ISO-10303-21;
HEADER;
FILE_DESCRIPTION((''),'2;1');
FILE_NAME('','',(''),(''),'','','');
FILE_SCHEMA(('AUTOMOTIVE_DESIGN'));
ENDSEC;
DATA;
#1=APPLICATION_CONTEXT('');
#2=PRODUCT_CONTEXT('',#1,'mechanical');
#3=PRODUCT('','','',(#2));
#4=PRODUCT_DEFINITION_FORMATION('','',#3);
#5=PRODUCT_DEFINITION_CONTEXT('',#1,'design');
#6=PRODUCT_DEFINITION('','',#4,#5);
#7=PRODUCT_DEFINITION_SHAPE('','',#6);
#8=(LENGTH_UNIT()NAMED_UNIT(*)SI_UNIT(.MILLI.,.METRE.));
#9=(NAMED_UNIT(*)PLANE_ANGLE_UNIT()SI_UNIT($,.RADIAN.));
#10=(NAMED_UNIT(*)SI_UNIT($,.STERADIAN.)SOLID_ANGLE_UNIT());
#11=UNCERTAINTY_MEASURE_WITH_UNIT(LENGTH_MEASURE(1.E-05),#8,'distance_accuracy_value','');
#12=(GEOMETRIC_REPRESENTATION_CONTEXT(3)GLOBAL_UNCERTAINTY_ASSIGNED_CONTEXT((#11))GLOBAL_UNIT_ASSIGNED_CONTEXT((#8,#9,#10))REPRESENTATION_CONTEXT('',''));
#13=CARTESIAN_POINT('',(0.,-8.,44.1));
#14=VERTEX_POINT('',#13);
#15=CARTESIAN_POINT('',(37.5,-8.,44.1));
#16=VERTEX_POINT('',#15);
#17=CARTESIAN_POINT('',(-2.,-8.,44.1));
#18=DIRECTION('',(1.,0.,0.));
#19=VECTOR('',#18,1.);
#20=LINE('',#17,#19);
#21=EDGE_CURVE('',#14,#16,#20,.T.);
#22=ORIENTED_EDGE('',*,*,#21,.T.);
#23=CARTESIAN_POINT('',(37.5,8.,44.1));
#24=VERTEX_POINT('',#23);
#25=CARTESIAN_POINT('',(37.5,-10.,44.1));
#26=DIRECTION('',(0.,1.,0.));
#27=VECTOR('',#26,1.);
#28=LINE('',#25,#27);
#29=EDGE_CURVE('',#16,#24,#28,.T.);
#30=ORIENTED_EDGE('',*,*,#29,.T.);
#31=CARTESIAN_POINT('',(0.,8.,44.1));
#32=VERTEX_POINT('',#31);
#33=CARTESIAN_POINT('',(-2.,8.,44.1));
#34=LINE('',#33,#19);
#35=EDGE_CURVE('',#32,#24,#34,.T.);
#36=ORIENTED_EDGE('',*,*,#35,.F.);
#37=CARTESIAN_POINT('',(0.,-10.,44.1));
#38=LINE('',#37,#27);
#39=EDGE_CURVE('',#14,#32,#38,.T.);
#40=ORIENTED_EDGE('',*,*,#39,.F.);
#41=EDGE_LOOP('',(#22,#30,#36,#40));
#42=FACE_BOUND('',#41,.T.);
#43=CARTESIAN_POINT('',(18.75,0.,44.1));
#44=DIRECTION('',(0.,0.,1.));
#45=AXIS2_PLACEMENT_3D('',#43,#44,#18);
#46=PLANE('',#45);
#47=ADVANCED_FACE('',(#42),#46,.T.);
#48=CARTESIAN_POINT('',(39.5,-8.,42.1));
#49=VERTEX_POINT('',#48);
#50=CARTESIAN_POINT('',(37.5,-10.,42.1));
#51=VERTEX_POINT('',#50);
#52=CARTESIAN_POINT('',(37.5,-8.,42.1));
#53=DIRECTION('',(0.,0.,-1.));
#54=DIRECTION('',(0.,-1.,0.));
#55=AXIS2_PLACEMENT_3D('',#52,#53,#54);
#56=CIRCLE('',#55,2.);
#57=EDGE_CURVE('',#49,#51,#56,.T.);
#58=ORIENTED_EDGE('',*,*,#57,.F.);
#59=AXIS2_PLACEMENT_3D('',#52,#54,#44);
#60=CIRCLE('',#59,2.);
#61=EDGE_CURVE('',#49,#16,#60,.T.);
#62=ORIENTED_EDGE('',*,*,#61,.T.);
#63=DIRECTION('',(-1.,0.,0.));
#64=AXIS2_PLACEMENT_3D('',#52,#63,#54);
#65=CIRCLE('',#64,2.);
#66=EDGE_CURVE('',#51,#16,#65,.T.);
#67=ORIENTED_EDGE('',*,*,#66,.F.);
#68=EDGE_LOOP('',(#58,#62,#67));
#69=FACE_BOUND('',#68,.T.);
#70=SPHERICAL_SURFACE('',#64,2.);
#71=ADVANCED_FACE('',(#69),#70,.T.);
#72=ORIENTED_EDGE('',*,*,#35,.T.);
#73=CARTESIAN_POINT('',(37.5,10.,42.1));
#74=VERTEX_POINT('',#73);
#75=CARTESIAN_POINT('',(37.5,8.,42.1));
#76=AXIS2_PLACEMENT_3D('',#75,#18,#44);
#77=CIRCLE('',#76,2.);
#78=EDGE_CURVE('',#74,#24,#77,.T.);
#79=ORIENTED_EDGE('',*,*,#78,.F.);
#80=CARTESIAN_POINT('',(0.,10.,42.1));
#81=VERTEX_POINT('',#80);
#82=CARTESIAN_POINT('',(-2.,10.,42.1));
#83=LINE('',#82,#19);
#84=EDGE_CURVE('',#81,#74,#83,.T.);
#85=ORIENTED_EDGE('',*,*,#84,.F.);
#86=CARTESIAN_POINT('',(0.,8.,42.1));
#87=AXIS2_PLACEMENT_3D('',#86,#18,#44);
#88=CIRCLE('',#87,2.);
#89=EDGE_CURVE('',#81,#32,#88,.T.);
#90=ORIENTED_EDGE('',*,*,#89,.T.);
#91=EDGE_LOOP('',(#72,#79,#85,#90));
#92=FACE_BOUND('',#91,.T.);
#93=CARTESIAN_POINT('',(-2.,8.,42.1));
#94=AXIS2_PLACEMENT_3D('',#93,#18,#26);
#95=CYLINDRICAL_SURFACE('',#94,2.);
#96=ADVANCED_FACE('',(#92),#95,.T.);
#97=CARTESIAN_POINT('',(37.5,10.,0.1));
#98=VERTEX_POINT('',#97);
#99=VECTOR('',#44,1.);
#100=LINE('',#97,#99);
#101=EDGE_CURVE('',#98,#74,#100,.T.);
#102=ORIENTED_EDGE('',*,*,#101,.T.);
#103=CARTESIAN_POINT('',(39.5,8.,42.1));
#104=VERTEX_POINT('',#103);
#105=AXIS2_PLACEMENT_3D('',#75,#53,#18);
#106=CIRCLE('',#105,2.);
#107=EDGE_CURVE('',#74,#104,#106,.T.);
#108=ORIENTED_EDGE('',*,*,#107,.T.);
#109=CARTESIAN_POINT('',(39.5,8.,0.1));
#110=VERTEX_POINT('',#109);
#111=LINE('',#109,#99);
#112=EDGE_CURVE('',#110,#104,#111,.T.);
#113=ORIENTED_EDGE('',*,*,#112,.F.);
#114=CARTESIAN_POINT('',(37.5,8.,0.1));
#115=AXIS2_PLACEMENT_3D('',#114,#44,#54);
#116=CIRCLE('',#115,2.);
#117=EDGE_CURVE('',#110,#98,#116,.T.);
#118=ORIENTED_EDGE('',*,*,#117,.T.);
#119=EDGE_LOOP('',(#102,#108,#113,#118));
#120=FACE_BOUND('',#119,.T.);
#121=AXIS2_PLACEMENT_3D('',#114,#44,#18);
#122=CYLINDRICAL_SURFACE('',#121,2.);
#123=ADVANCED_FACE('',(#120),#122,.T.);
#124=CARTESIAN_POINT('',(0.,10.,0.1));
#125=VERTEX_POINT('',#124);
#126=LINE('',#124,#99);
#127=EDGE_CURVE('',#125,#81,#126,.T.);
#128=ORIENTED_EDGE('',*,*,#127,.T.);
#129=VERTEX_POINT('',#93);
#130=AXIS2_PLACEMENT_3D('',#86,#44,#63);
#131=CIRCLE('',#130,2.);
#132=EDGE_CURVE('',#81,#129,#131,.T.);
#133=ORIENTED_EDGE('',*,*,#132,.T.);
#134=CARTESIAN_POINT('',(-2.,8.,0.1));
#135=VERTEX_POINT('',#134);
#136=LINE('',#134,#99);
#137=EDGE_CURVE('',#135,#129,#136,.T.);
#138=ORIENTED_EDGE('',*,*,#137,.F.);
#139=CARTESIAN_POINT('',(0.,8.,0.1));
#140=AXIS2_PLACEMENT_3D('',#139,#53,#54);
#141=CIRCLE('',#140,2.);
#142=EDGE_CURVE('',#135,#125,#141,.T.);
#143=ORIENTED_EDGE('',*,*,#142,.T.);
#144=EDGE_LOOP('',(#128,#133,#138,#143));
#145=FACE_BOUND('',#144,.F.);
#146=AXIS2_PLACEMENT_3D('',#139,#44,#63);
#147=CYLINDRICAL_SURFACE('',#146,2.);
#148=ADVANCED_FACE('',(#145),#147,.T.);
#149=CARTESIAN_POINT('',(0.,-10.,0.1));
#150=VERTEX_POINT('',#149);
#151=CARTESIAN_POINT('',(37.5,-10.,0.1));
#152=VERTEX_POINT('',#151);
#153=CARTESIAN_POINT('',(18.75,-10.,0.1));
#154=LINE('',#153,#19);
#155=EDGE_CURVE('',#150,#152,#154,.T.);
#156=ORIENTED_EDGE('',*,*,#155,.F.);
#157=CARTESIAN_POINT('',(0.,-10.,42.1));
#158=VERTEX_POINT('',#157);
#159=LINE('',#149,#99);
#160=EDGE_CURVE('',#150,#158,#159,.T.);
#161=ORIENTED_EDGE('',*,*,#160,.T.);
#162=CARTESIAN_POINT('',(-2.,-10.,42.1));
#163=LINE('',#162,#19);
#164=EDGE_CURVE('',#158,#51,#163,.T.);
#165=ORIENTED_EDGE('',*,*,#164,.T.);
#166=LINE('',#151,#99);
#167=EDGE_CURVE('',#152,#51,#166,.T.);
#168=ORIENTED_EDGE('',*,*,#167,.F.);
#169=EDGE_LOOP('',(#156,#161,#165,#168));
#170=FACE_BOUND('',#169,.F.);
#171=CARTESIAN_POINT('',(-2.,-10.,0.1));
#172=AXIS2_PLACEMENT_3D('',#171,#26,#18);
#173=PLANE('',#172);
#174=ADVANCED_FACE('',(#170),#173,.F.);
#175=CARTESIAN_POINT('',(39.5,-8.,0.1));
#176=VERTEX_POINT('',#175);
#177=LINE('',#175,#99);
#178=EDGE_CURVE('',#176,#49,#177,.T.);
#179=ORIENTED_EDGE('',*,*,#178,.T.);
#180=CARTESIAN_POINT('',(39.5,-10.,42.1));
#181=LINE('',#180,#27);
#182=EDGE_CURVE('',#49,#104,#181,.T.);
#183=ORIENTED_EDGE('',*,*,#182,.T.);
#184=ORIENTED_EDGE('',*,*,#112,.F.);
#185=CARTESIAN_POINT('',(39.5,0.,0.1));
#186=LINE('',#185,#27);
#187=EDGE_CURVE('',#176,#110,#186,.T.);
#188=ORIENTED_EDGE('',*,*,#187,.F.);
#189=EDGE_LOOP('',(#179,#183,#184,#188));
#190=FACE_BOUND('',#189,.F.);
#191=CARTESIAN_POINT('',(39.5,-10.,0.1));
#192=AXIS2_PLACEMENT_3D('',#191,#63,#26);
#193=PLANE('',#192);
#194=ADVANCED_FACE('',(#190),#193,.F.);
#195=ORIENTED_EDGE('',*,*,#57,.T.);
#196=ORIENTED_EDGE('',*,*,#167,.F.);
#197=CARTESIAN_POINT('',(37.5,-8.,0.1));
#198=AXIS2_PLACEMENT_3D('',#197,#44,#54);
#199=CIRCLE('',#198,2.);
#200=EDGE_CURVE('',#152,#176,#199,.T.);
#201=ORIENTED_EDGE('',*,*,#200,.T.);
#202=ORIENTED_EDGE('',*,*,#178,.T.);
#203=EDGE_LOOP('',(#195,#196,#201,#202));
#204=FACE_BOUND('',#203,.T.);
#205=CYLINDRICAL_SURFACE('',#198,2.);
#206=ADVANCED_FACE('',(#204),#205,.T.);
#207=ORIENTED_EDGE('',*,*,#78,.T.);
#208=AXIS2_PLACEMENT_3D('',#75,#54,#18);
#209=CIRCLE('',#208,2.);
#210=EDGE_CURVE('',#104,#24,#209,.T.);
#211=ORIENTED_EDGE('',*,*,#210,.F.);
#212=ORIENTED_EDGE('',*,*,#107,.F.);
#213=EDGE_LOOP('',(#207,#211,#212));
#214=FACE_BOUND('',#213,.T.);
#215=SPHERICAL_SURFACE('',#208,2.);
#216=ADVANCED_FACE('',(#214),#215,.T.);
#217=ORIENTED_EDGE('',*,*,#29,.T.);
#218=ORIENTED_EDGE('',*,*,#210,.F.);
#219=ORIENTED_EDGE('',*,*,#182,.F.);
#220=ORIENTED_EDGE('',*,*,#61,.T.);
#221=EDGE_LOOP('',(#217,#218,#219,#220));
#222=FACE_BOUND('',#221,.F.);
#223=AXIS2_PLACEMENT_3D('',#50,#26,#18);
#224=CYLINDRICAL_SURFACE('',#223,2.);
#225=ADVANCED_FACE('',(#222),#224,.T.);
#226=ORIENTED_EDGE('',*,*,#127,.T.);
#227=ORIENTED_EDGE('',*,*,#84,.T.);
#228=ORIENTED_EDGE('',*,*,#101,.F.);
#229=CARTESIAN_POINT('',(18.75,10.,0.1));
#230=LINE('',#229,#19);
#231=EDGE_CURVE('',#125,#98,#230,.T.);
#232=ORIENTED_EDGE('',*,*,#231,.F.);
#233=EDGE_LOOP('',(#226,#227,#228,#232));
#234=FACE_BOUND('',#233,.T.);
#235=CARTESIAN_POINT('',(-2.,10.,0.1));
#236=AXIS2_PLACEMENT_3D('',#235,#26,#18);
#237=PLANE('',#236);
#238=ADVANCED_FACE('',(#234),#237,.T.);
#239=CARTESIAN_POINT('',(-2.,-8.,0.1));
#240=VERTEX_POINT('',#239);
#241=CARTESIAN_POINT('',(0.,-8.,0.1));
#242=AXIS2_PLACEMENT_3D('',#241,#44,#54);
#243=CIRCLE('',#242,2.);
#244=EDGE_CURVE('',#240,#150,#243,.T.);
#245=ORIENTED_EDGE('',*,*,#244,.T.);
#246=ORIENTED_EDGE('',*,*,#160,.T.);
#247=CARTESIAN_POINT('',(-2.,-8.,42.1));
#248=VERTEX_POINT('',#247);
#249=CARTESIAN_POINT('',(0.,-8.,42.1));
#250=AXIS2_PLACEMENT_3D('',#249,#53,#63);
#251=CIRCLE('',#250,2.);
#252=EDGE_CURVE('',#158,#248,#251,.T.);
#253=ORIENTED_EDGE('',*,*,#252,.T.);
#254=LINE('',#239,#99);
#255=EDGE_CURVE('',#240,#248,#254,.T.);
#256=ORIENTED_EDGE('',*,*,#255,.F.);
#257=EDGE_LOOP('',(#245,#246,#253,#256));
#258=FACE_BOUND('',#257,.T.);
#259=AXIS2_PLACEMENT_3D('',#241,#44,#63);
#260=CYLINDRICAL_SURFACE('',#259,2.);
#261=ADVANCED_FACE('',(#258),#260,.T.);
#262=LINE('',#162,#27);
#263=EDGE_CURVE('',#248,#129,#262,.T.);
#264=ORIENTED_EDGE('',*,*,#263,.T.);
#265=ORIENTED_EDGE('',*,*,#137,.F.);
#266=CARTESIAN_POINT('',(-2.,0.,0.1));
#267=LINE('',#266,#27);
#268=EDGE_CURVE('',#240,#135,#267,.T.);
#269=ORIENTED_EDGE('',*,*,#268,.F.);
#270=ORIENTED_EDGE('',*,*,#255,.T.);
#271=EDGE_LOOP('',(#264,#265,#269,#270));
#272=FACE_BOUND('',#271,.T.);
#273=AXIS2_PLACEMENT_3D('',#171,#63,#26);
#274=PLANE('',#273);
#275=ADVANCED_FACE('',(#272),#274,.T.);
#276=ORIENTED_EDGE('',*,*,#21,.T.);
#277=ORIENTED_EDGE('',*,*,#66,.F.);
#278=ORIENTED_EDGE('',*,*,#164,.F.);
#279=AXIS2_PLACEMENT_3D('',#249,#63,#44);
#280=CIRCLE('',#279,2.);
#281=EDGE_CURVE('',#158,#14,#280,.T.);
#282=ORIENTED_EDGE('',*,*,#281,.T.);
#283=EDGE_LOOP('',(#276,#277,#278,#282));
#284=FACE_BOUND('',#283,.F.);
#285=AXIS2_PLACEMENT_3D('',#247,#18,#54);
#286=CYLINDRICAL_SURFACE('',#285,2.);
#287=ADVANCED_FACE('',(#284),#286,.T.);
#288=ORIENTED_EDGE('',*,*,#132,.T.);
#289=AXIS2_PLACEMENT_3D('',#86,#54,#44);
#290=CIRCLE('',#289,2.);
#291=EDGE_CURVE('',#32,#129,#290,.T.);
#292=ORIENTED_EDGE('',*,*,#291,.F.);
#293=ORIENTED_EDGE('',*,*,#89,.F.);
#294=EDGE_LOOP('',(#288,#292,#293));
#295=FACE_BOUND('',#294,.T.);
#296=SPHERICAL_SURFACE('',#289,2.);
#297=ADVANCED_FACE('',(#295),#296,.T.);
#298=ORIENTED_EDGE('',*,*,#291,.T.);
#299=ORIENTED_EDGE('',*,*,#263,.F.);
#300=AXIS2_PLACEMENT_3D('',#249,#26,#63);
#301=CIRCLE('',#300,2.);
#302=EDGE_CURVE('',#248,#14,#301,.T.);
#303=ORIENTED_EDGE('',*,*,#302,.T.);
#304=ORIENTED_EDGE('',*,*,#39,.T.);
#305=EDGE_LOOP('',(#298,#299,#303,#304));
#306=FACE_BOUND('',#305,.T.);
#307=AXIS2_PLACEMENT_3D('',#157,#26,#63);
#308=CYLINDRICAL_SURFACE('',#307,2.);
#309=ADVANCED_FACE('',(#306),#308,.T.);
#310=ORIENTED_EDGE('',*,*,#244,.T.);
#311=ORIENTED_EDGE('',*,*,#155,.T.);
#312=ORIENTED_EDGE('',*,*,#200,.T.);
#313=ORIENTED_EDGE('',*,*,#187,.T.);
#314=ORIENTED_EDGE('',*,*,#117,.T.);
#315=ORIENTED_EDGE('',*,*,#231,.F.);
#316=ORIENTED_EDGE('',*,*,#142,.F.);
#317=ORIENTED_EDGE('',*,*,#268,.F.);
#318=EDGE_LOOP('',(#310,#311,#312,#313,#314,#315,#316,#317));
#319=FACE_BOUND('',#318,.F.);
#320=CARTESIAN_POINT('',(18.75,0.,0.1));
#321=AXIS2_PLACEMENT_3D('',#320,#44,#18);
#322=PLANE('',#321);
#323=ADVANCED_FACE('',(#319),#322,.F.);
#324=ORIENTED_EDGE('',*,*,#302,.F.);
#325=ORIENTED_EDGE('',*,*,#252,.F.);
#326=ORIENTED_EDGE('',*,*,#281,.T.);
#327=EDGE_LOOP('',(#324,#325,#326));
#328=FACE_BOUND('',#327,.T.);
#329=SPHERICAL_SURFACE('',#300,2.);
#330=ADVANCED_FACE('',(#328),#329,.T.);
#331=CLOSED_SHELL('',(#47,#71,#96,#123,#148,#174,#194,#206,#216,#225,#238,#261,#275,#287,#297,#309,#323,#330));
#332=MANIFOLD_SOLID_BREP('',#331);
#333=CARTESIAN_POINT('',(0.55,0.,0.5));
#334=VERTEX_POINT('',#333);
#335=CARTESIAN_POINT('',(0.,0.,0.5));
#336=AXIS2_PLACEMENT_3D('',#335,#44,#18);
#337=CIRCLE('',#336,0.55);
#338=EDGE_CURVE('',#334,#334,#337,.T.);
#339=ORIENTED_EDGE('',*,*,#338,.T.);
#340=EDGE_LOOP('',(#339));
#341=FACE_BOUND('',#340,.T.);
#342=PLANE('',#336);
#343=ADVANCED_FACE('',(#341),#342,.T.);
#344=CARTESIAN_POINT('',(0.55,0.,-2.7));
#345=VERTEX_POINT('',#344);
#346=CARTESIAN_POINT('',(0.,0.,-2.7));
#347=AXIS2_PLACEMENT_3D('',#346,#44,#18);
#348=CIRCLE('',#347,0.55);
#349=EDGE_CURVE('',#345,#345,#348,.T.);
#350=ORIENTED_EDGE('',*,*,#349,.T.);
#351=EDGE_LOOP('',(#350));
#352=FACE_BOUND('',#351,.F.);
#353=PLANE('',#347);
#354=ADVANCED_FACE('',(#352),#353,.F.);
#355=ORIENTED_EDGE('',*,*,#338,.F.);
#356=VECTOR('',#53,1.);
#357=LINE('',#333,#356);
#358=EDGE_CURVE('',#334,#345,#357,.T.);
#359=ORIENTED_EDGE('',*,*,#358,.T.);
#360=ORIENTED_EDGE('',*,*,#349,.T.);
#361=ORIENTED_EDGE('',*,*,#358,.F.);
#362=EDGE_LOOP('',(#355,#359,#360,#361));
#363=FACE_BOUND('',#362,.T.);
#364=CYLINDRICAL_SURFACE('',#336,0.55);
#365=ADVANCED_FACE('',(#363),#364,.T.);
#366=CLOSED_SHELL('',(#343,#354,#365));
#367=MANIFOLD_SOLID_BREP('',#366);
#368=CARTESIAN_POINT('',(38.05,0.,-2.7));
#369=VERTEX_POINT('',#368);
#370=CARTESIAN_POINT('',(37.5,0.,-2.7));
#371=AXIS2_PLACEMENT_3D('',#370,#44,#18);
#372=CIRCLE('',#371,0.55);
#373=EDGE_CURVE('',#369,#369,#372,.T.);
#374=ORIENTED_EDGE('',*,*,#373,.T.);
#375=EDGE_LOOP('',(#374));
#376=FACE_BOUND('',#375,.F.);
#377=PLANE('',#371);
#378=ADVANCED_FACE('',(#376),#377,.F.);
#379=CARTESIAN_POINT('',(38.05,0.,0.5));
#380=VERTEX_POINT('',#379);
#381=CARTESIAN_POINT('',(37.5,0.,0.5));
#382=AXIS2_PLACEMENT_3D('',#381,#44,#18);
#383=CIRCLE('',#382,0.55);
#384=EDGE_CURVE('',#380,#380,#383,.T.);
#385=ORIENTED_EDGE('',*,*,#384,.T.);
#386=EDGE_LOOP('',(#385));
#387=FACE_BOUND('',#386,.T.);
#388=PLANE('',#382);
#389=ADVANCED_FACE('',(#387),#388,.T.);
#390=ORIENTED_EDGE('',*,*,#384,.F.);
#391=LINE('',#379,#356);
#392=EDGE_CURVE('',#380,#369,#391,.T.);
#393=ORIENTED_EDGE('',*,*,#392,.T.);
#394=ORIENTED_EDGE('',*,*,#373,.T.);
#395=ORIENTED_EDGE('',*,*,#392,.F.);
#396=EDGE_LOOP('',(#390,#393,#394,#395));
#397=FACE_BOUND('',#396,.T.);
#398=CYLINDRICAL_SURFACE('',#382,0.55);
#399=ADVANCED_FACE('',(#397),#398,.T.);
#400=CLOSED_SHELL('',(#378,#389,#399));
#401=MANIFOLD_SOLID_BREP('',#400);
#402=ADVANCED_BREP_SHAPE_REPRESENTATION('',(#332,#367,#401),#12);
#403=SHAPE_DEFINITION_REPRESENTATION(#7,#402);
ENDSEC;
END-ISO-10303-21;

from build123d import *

# Parameters (mm, degrees)
SKETCH_W     = 41.5
SKETCH_H     = 20
PAD_DEPTH    = 44
FILLET_R     = 2
SKETCH001_R  = 0.55
PAD001_DEPTH = 3.2


with BuildPart() as fillet_body:
    # Sketch → Pad (new body)
    with BuildSketch(Plane.XY.offset(0.1)):
        with Locations((18.75, 0)):
            Rectangle(SKETCH_W, SKETCH_H)
    extrude(amount=PAD_DEPTH)

    # Fillet
    fillet_edges = [fillet_body.edges().sort_by_distance(p)[0] for p in [
        (-2, 0, 44.1),
        (-2, -10, 22.1),
        (18.75, -10, 44.1),
        (39.5, -10, 22.1),
        (39.5, 0, 44.1),
        (39.5, 10, 22.1),
        (18.75, 10, 44.1),
        (-2, 10, 22.1),
    ]]
    fillet(fillet_edges, radius=FILLET_R)


with BuildPart() as pad001:
    # Sketch001 → Pad001 (new body)
    with BuildSketch(Plane.XY.offset(0.5)):
        Circle(SKETCH001_R)
        with Locations((37.5, 0)):
            Circle(SKETCH001_R)
    extrude(amount=-PAD001_DEPTH)


solid = Compound([fillet_body.part, pad001.part])
